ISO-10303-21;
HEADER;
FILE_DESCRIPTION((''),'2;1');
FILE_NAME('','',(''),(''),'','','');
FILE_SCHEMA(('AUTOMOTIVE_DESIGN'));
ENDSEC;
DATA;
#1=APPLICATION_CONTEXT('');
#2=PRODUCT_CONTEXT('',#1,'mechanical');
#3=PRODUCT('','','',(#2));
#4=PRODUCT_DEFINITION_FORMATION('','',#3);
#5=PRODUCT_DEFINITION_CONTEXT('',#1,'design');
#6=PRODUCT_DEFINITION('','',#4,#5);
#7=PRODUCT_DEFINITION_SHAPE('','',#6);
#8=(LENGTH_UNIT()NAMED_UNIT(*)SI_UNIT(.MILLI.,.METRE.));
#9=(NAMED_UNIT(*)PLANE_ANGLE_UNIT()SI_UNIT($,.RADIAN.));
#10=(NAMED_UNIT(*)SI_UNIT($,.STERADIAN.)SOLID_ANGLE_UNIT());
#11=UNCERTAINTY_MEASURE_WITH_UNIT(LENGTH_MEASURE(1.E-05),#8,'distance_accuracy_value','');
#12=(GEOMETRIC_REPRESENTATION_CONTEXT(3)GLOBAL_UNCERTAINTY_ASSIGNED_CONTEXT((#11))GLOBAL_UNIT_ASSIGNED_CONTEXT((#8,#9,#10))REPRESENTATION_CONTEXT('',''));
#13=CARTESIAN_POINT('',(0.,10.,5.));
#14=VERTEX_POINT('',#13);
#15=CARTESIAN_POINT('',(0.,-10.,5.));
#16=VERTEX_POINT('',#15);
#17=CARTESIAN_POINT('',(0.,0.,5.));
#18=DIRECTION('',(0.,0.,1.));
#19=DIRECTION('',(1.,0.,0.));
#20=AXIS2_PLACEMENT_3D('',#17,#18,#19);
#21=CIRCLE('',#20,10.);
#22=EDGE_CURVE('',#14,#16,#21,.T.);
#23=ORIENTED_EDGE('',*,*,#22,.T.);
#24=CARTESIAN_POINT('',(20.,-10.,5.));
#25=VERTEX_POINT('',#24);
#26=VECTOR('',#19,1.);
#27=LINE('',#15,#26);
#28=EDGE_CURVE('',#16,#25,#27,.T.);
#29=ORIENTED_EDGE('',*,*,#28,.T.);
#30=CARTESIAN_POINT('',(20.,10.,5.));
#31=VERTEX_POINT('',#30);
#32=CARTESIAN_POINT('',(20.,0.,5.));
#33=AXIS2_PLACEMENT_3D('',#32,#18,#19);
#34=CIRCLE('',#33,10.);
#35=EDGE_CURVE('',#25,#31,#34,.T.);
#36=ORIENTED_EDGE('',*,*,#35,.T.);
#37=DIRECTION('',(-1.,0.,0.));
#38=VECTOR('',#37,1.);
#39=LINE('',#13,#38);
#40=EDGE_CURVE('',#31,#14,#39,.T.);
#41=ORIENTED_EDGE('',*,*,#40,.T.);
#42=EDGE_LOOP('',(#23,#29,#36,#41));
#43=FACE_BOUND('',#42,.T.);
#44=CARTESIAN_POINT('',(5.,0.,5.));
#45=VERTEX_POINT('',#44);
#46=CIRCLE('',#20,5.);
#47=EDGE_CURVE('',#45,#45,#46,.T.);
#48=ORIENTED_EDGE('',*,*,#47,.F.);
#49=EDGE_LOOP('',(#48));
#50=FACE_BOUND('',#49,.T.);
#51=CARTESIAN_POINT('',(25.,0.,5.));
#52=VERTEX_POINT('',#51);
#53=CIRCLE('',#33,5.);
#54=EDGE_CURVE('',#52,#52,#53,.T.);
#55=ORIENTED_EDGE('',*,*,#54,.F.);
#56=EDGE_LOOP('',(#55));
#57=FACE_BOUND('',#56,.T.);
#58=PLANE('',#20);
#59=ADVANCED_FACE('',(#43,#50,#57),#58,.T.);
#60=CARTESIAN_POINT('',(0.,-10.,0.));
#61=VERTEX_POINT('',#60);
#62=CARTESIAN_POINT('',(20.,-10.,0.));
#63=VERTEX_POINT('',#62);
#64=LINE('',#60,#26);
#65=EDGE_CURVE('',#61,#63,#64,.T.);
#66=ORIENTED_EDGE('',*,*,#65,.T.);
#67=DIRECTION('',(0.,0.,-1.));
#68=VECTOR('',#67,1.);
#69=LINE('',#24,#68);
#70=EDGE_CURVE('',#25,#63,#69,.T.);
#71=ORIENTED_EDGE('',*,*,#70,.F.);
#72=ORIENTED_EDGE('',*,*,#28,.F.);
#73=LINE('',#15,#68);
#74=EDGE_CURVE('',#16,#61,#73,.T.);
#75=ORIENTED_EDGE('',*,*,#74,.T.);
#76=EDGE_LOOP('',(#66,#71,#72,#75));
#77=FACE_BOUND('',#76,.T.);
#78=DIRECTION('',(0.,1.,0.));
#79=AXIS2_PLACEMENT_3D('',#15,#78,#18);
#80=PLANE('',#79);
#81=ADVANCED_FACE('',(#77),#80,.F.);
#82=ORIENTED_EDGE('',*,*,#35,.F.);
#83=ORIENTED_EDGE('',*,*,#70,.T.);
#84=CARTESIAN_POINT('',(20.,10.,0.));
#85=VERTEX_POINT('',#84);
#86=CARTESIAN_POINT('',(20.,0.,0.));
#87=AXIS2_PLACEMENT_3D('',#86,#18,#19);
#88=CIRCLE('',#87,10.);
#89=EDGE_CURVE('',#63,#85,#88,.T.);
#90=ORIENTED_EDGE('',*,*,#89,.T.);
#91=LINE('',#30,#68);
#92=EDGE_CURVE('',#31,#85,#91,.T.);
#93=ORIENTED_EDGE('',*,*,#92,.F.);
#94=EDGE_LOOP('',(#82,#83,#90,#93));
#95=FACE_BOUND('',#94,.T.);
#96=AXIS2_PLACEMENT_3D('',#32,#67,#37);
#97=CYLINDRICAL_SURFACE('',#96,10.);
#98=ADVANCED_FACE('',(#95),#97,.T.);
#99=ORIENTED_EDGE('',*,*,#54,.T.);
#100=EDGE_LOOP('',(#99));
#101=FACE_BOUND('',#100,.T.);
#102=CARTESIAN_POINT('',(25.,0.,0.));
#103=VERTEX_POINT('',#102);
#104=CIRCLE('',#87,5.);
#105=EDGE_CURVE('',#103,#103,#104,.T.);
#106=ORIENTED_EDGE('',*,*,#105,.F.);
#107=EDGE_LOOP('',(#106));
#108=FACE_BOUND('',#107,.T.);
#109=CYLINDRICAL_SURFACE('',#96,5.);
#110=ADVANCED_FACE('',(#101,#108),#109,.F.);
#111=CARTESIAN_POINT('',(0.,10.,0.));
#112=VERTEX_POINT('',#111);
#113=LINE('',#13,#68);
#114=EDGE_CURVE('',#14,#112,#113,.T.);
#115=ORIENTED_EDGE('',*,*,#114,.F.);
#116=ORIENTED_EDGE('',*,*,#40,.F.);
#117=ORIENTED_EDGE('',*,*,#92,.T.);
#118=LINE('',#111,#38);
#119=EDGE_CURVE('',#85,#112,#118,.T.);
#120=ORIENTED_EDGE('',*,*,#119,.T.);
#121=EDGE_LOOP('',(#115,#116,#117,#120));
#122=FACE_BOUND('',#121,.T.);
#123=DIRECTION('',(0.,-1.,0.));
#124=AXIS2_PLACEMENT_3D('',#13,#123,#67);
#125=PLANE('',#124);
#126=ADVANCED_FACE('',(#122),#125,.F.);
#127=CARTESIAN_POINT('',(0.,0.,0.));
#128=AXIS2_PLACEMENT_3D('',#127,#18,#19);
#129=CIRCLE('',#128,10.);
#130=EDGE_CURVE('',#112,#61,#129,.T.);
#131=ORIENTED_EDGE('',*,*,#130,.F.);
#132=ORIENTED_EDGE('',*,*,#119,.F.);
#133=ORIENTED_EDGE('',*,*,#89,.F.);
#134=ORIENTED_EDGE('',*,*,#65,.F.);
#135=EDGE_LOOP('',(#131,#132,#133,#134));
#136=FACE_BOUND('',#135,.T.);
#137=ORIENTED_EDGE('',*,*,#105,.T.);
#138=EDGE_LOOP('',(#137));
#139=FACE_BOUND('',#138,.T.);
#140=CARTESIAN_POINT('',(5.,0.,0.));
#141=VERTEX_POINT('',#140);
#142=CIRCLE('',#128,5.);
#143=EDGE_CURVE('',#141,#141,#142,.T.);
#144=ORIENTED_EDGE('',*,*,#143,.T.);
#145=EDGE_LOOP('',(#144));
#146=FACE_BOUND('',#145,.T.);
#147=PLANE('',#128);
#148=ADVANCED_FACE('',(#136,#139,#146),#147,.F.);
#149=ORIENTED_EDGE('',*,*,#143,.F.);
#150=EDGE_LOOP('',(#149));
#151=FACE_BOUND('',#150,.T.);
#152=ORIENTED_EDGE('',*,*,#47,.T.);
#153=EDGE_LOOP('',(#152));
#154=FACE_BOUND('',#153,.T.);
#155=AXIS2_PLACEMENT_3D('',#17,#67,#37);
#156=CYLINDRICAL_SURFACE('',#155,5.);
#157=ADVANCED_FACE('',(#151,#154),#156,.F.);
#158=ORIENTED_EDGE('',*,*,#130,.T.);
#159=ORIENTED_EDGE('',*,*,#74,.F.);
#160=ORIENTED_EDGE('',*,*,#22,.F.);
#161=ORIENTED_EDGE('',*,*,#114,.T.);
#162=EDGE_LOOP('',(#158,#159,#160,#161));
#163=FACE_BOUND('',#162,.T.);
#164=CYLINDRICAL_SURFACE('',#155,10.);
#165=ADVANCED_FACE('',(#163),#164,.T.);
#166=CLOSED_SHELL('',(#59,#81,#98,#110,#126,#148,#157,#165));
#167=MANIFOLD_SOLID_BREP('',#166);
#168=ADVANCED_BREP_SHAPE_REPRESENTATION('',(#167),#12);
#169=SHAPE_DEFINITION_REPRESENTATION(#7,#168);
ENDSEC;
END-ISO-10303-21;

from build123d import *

# Parameters (mm, degrees)
SKETCH1_R           = 5
BOSS_EXTRUDE1_DEPTH = 5


with BuildPart() as part:
    # Sketch1 → Boss-Extrude1 (new body)
    with BuildSketch(Plane.XY):
        with BuildLine():
            Line((0, 10), (20, 10))
            ThreePointArc((20, 10), (30, 0), (20, -10))
            Line((20, -10), (0, -10))
            ThreePointArc((0, -10), (-10, 0), (0, 10))
        make_face()
        Circle(SKETCH1_R, mode=Mode.SUBTRACT)
        with Locations((20, 0)):
            Circle(SKETCH1_R, mode=Mode.SUBTRACT)
    extrude(amount=BOSS_EXTRUDE1_DEPTH)


solid = part.part
